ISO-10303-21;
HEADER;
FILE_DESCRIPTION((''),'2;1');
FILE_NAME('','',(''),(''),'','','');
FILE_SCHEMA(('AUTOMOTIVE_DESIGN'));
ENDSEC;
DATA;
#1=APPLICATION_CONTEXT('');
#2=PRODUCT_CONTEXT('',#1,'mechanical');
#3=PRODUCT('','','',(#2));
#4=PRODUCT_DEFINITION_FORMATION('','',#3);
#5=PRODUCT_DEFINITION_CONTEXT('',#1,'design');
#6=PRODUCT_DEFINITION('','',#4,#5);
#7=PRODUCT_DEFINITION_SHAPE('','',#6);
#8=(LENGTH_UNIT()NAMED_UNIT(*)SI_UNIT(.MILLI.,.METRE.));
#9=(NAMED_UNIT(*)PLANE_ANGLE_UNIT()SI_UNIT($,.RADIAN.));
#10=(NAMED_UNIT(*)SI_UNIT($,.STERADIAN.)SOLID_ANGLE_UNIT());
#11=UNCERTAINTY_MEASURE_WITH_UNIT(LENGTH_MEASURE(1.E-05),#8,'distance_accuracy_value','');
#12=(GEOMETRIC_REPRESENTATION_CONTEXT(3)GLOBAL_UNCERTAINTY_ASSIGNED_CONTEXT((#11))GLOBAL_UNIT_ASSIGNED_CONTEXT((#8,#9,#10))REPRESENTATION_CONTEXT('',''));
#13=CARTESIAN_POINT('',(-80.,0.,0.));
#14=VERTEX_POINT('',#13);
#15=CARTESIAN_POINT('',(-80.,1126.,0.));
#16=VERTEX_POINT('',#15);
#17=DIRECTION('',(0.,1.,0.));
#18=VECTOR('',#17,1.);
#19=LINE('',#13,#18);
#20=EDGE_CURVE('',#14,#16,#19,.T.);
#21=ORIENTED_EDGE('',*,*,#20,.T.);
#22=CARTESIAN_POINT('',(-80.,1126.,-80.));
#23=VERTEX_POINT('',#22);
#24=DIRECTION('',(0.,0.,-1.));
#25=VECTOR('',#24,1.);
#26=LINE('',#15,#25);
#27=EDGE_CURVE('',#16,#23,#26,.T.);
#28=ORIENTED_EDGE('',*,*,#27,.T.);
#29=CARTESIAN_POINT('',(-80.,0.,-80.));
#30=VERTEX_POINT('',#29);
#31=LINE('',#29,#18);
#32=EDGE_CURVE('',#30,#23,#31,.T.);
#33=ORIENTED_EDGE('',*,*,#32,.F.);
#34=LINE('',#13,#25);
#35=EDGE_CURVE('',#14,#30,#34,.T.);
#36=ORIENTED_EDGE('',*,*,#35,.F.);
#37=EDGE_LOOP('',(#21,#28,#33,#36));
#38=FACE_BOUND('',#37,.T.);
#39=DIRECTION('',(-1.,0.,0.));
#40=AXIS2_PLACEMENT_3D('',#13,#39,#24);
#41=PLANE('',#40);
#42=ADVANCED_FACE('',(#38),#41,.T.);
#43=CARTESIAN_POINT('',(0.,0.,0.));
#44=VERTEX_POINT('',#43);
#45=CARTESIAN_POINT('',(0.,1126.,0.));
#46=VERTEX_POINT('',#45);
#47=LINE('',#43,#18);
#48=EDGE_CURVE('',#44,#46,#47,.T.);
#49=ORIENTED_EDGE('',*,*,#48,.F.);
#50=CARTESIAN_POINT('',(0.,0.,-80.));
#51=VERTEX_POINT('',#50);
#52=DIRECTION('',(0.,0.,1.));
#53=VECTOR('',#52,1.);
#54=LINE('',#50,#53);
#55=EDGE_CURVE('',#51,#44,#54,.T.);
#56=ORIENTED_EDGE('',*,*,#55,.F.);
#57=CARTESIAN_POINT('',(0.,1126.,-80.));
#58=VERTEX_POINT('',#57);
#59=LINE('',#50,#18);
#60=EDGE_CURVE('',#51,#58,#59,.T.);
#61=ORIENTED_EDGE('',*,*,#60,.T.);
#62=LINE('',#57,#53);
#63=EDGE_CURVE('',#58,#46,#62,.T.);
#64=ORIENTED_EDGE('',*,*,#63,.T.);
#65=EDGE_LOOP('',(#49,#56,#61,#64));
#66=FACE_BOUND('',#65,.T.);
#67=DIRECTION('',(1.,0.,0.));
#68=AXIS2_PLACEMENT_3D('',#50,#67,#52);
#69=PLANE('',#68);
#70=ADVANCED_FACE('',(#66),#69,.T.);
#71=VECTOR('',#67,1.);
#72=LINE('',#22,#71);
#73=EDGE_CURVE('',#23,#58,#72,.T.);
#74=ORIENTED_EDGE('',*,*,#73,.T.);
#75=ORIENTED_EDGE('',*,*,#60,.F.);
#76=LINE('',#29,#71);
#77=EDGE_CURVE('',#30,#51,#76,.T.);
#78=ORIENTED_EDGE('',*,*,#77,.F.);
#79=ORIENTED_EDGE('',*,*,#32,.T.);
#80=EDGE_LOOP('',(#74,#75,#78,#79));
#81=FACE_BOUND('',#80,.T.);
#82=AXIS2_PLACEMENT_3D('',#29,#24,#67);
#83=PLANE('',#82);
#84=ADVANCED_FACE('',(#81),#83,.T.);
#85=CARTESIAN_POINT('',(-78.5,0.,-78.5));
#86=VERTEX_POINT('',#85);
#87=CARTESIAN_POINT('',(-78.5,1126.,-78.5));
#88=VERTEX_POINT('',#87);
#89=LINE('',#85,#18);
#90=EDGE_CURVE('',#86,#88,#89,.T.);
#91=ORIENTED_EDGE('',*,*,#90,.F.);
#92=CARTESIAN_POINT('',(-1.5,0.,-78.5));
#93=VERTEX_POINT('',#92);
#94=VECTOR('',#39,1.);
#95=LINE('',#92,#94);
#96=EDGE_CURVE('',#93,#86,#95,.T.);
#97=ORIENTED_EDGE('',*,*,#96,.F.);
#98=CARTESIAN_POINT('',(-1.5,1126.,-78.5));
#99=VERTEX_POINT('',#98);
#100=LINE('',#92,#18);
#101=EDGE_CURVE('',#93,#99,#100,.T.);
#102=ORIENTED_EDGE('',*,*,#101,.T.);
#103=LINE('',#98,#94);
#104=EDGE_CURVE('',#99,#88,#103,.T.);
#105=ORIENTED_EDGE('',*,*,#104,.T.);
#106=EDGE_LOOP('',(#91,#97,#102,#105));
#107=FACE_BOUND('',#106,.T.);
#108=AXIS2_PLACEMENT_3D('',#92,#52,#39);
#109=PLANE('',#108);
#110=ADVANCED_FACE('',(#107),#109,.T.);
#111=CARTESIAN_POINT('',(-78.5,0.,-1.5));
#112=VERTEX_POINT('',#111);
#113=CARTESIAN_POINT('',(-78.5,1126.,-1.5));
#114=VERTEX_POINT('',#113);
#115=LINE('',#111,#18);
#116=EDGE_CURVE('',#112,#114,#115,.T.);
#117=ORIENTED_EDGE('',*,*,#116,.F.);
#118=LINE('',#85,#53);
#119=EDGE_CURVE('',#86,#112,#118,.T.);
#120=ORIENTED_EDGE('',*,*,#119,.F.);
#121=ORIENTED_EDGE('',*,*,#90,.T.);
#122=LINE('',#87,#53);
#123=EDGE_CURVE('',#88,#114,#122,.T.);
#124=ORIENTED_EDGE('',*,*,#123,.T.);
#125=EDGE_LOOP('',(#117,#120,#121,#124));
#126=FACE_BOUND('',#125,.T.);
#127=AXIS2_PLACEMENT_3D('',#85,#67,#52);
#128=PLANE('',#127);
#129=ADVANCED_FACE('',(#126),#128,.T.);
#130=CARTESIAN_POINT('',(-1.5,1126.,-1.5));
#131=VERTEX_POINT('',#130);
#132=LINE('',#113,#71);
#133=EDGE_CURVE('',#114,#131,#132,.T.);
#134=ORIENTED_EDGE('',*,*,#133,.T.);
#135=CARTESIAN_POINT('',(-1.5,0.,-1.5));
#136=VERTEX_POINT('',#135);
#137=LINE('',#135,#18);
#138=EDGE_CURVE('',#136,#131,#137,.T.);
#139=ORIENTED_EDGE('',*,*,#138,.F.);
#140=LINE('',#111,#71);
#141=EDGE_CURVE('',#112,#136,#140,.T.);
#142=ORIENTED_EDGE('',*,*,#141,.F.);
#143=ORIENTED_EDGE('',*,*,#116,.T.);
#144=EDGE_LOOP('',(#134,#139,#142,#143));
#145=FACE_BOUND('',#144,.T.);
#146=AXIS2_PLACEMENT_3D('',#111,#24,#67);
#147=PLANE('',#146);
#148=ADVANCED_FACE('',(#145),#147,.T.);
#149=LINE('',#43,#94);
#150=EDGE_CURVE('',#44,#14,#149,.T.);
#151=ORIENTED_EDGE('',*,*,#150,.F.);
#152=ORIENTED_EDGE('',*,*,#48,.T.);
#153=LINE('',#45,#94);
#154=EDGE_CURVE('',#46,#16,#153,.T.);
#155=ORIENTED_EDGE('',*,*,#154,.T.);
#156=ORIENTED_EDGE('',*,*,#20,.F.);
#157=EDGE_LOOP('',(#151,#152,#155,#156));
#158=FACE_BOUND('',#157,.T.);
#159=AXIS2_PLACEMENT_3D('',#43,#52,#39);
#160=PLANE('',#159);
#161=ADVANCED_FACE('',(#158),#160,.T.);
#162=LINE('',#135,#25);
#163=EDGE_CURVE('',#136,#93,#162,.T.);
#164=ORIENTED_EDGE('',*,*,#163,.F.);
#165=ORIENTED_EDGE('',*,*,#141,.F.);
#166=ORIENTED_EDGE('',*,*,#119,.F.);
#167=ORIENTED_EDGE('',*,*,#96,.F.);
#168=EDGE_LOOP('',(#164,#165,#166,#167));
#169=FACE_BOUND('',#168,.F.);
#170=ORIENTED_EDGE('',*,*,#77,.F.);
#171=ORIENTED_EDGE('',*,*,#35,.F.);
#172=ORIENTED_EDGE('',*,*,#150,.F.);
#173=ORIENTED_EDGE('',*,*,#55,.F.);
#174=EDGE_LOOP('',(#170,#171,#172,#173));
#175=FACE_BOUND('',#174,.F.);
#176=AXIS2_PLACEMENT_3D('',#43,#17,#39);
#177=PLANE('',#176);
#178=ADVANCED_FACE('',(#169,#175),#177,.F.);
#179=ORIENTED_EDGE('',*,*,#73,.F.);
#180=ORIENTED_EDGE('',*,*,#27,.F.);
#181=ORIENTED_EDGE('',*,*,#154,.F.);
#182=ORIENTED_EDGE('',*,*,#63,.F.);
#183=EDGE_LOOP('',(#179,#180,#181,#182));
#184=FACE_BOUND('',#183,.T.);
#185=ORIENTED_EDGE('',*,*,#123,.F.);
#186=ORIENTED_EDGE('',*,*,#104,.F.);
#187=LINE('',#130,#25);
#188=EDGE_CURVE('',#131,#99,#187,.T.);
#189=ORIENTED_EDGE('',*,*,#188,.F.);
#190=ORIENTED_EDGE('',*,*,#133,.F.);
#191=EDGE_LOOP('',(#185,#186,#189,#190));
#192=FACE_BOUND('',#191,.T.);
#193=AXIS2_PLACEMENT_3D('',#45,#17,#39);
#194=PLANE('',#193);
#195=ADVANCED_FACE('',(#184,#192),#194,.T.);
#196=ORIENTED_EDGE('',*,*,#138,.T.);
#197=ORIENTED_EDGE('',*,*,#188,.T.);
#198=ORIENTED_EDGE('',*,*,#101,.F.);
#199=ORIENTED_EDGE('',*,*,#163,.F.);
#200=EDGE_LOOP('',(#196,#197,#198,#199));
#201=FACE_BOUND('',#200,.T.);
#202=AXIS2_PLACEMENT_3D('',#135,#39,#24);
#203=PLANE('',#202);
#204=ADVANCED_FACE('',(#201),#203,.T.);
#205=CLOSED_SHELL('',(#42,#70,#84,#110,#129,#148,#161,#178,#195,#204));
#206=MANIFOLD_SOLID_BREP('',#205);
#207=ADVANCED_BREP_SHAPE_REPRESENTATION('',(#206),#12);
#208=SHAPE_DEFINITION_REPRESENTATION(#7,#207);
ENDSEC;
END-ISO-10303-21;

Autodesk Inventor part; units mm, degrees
ref_plane "YZ Plane" through (0, 0, 0) normal (1, 0, 0) x (0, 1, 0)
ref_plane "XZ Plane" through (0, 0, 0) normal (0, 1, 0) x (-1, 0, 0)
ref_plane "XY Plane" through (0, 0, 0) normal (0, 0, 1) x (1, 0, 0)
sketch "Boceto1" plane through (0, 0, 0) normal (0, 1, 0) x (-1, 0, 0)
  line L0 (0, 0) -> (80, 0)
  line L1 (80, 0) -> (80, -80)
  line L2 (80, -80) -> (0, -80)
  line L3 (0, -80) -> (0, 0)
  line L4 (1.5, -78.5) -> (78.5, -78.5)
  line L5 (78.5, -78.5) -> (78.5, -1.5)
  line L6 (78.5, -1.5) -> (1.5, -1.5)
  line L7 (1.5, -1.5) -> (1.5, -78.5)
  line L8 (1.5, -78.5) -> (78.5, -1.5) construction
  line L9 (78.5, -78.5) -> (1.5, -1.5) construction
  point P0 (40, -40)
  dimension "d0" = 80
  dimension "d1" = 80
  dimension "d2" = 77
  dimension "d3" = 77
extrude "Extrusión1" add sketch "Boceto1" along normal blind 1126
properties part number "Pata_mesa"
